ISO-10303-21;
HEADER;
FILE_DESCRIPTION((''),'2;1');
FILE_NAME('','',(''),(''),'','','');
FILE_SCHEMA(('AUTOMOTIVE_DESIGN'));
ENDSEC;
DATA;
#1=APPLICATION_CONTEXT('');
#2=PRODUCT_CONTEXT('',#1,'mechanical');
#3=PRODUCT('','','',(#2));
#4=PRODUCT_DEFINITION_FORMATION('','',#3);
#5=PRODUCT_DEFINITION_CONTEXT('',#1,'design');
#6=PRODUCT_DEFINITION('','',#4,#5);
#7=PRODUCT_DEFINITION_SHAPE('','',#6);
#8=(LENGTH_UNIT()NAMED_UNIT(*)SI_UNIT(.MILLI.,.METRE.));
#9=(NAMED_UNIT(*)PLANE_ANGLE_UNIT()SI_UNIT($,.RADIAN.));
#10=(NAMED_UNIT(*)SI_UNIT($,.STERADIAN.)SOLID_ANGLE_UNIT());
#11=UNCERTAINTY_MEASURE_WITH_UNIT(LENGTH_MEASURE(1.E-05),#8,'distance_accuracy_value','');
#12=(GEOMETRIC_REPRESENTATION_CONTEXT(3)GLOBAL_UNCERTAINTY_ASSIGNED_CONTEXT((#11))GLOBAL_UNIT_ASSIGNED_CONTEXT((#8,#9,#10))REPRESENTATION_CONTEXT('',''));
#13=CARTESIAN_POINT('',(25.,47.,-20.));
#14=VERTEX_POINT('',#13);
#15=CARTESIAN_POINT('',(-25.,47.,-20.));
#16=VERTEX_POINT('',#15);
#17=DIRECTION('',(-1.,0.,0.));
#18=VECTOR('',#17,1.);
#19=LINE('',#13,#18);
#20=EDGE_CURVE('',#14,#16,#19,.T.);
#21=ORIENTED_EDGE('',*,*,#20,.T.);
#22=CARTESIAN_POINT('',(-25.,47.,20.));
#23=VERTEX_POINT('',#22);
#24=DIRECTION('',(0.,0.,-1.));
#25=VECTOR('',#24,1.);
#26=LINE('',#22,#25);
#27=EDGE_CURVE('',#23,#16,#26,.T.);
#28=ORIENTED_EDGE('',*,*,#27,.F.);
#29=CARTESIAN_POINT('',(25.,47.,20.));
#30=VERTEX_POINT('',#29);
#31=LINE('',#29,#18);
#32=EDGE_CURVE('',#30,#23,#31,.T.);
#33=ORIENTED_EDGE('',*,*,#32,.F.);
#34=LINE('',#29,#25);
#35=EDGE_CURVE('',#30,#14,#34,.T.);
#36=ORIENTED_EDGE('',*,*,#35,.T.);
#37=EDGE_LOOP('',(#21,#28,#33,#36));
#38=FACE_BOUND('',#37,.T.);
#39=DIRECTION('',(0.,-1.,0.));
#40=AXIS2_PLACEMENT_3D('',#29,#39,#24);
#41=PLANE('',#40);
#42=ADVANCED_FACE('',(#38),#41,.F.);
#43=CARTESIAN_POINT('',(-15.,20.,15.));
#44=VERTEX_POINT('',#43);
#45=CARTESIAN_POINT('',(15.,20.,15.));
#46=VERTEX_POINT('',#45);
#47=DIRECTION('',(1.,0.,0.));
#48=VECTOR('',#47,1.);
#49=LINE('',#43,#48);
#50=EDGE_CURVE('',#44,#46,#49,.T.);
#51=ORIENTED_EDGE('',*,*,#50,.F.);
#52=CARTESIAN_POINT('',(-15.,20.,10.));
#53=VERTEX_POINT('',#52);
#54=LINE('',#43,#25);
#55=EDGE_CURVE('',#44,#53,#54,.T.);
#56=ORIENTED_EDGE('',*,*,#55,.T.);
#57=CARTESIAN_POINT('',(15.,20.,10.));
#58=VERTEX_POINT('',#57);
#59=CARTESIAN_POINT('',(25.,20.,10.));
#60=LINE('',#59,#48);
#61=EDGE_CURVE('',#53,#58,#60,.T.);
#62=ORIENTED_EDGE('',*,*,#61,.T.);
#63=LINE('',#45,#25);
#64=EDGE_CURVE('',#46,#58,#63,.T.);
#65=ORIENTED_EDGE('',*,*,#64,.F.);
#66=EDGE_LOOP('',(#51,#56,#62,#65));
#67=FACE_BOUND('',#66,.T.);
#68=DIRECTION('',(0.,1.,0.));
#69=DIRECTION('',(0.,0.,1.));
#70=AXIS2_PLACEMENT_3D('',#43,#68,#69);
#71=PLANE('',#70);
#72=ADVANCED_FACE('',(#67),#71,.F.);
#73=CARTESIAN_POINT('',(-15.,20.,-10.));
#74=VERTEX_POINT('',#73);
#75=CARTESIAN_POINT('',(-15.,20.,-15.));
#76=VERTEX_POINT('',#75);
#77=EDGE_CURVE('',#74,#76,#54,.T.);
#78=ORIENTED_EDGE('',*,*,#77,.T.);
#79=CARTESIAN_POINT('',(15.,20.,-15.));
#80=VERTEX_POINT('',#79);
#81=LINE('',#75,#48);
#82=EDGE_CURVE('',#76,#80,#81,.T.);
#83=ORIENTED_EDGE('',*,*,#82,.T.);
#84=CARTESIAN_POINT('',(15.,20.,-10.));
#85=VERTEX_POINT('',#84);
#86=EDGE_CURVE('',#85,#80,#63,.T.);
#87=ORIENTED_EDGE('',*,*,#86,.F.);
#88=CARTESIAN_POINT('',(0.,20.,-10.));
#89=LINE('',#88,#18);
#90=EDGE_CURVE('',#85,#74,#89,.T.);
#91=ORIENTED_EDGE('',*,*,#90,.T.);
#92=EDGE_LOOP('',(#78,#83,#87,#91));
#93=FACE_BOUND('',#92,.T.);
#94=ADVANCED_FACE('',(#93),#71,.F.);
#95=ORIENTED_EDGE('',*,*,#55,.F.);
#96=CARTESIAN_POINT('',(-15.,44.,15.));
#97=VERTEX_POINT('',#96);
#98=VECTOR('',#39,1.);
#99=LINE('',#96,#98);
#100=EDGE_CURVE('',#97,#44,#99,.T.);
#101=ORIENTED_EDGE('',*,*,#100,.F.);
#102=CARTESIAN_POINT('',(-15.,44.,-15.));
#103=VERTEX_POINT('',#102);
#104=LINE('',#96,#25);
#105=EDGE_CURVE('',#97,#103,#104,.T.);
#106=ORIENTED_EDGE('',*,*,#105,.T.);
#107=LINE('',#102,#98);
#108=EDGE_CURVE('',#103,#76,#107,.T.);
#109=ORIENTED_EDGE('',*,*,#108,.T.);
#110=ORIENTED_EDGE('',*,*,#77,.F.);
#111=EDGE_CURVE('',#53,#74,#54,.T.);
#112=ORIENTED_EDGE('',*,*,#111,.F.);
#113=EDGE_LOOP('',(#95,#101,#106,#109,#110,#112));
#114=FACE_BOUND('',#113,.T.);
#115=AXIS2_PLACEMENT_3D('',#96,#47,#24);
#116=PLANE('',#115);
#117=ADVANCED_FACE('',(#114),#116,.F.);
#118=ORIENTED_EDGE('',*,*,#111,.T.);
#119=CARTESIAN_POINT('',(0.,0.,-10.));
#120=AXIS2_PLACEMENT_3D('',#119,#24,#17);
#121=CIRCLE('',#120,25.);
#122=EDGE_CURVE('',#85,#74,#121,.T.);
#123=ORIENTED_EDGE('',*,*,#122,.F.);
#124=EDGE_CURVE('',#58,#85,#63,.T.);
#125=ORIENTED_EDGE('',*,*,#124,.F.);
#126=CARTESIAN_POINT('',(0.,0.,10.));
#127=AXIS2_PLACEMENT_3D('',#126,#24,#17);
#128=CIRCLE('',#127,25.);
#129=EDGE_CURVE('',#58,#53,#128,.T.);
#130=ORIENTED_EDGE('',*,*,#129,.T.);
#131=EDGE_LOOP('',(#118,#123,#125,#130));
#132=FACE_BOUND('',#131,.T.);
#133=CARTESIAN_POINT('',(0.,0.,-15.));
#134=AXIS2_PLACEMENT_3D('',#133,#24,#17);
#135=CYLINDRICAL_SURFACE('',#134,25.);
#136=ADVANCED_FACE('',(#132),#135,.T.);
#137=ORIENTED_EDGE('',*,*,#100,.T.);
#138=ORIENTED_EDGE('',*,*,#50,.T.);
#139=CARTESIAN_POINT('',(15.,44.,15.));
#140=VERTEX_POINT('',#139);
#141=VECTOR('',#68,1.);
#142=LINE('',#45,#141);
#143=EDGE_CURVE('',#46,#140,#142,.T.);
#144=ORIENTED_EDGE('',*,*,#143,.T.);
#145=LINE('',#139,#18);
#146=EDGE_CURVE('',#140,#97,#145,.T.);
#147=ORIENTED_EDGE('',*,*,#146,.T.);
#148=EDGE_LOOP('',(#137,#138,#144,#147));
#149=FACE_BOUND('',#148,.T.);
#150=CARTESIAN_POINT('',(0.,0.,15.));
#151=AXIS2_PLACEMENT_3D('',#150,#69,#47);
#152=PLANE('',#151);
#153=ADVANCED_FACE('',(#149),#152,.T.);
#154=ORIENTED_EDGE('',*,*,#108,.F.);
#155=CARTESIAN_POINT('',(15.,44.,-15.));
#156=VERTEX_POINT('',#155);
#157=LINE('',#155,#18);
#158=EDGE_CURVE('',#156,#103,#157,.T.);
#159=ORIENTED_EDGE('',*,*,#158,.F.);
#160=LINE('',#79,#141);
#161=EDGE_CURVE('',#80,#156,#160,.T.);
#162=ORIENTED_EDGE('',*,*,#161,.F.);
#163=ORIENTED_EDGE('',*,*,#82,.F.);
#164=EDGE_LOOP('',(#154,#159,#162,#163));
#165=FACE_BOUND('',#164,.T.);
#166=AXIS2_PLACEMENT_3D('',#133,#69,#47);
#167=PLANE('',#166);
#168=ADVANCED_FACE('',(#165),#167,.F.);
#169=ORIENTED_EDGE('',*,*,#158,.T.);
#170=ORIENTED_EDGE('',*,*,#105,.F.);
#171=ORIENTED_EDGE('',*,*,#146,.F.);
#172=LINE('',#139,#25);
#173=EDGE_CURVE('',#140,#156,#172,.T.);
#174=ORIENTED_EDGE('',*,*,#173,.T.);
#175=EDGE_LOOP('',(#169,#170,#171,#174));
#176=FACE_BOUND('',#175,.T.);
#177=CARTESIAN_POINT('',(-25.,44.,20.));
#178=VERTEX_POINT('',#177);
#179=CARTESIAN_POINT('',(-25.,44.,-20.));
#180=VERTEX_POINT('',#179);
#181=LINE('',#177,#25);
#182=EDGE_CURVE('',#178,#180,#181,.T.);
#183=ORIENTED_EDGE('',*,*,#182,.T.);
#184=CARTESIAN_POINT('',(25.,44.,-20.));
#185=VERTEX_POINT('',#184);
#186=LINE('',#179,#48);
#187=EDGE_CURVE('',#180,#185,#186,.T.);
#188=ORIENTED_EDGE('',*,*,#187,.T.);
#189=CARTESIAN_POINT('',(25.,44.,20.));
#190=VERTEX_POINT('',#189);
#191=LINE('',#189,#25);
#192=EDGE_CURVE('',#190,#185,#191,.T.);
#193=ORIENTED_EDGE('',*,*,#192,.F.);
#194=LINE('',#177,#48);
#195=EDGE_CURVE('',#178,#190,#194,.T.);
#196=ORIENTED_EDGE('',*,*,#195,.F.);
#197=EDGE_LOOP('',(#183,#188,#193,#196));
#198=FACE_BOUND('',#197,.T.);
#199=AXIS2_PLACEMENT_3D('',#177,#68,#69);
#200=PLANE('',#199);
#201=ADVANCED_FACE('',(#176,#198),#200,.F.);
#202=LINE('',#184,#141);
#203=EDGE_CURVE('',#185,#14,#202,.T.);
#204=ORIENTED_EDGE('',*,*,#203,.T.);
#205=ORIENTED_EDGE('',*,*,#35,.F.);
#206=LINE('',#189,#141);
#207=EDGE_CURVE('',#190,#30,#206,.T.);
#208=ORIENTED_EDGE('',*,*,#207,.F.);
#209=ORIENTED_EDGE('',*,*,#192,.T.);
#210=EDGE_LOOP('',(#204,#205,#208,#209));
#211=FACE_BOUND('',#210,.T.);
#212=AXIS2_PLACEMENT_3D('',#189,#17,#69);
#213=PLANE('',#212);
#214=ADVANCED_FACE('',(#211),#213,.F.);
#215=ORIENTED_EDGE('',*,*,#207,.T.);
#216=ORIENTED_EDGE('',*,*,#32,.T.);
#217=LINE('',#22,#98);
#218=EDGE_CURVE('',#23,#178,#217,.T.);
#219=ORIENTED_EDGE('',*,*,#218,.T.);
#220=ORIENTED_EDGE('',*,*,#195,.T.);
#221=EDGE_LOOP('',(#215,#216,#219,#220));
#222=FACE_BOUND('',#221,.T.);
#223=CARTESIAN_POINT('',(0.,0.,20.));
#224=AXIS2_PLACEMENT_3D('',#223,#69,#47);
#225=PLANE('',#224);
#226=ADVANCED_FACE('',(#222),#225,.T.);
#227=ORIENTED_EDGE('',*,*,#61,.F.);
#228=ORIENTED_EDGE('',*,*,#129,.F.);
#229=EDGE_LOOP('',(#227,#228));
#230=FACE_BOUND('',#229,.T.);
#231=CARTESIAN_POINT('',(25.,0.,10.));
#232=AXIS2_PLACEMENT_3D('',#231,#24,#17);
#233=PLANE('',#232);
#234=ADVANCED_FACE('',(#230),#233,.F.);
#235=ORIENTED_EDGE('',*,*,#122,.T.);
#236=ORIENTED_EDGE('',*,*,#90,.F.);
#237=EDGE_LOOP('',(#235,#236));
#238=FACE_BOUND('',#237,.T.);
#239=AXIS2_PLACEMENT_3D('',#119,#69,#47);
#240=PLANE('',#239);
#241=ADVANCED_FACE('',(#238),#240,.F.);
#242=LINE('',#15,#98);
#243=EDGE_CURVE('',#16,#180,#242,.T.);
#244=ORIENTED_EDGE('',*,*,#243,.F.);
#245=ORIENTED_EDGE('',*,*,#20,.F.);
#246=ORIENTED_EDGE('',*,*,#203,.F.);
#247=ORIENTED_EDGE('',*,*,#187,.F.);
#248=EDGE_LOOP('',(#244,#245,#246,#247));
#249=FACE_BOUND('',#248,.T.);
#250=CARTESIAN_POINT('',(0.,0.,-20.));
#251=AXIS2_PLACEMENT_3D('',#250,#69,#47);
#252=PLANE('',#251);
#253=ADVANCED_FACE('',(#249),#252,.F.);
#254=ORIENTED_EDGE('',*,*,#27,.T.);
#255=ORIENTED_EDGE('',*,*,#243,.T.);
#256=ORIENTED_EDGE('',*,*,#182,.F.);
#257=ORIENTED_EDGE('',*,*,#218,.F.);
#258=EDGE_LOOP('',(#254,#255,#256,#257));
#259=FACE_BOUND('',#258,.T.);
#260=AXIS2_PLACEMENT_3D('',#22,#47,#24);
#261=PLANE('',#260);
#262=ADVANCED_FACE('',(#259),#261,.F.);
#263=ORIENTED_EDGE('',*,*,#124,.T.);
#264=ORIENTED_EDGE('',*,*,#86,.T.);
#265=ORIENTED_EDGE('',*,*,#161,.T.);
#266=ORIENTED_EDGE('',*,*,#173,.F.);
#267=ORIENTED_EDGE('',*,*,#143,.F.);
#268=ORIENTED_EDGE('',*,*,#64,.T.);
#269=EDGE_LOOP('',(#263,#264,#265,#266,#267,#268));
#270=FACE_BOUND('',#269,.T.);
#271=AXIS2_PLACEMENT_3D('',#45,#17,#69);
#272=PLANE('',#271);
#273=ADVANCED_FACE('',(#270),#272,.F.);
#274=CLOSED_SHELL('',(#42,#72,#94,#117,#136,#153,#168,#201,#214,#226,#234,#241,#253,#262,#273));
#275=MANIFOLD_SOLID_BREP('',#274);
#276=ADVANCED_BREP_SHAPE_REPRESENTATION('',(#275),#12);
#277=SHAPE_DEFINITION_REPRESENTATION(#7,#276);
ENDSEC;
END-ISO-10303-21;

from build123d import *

# Parameters (mm, degrees)
SK_CASTERWHEEL_W = 25
SK_CASTERWHEEL_H = 20
SK_FORK_W        = 30
SK_FORK_H        = 24
FORK_DEPTH       = 15
SK_TOPPLATE_W    = 50
SK_TOPPLATE_H    = 3
TOPPLATE_DEPTH   = 20


with BuildPart() as part:
    # SK_CasterWheel → CasterWheel (revolve)
    with BuildSketch(Plane(origin=(0, 0, 0), x_dir=(1, 0, 0), z_dir=(0, 1, 0)), mode=Mode.PRIVATE) as casterwheel_sk:
        with Locations((12.5, 0)):
            Rectangle(SK_CASTERWHEEL_W, SK_CASTERWHEEL_H)
    revolve(casterwheel_sk.sketch.rotate(Axis((0, 0, -15), (0, 0, 1)), 180), axis=Axis((0, 0, -15), (0, 0, 1)))

    # SK_Fork → Fork (add, symmetric)
    with BuildSketch(Plane.XY):
        with Locations((0, 32)):
            Rectangle(SK_FORK_W, SK_FORK_H)
    extrude(amount=FORK_DEPTH, both=True)

    # SK_TopPlate → TopPlate (add, symmetric)
    with BuildSketch(Plane.XY):
        with Locations((0, 45.5)):
            Rectangle(SK_TOPPLATE_W, SK_TOPPLATE_H)
    extrude(amount=TOPPLATE_DEPTH, both=True)


solid = part.part
